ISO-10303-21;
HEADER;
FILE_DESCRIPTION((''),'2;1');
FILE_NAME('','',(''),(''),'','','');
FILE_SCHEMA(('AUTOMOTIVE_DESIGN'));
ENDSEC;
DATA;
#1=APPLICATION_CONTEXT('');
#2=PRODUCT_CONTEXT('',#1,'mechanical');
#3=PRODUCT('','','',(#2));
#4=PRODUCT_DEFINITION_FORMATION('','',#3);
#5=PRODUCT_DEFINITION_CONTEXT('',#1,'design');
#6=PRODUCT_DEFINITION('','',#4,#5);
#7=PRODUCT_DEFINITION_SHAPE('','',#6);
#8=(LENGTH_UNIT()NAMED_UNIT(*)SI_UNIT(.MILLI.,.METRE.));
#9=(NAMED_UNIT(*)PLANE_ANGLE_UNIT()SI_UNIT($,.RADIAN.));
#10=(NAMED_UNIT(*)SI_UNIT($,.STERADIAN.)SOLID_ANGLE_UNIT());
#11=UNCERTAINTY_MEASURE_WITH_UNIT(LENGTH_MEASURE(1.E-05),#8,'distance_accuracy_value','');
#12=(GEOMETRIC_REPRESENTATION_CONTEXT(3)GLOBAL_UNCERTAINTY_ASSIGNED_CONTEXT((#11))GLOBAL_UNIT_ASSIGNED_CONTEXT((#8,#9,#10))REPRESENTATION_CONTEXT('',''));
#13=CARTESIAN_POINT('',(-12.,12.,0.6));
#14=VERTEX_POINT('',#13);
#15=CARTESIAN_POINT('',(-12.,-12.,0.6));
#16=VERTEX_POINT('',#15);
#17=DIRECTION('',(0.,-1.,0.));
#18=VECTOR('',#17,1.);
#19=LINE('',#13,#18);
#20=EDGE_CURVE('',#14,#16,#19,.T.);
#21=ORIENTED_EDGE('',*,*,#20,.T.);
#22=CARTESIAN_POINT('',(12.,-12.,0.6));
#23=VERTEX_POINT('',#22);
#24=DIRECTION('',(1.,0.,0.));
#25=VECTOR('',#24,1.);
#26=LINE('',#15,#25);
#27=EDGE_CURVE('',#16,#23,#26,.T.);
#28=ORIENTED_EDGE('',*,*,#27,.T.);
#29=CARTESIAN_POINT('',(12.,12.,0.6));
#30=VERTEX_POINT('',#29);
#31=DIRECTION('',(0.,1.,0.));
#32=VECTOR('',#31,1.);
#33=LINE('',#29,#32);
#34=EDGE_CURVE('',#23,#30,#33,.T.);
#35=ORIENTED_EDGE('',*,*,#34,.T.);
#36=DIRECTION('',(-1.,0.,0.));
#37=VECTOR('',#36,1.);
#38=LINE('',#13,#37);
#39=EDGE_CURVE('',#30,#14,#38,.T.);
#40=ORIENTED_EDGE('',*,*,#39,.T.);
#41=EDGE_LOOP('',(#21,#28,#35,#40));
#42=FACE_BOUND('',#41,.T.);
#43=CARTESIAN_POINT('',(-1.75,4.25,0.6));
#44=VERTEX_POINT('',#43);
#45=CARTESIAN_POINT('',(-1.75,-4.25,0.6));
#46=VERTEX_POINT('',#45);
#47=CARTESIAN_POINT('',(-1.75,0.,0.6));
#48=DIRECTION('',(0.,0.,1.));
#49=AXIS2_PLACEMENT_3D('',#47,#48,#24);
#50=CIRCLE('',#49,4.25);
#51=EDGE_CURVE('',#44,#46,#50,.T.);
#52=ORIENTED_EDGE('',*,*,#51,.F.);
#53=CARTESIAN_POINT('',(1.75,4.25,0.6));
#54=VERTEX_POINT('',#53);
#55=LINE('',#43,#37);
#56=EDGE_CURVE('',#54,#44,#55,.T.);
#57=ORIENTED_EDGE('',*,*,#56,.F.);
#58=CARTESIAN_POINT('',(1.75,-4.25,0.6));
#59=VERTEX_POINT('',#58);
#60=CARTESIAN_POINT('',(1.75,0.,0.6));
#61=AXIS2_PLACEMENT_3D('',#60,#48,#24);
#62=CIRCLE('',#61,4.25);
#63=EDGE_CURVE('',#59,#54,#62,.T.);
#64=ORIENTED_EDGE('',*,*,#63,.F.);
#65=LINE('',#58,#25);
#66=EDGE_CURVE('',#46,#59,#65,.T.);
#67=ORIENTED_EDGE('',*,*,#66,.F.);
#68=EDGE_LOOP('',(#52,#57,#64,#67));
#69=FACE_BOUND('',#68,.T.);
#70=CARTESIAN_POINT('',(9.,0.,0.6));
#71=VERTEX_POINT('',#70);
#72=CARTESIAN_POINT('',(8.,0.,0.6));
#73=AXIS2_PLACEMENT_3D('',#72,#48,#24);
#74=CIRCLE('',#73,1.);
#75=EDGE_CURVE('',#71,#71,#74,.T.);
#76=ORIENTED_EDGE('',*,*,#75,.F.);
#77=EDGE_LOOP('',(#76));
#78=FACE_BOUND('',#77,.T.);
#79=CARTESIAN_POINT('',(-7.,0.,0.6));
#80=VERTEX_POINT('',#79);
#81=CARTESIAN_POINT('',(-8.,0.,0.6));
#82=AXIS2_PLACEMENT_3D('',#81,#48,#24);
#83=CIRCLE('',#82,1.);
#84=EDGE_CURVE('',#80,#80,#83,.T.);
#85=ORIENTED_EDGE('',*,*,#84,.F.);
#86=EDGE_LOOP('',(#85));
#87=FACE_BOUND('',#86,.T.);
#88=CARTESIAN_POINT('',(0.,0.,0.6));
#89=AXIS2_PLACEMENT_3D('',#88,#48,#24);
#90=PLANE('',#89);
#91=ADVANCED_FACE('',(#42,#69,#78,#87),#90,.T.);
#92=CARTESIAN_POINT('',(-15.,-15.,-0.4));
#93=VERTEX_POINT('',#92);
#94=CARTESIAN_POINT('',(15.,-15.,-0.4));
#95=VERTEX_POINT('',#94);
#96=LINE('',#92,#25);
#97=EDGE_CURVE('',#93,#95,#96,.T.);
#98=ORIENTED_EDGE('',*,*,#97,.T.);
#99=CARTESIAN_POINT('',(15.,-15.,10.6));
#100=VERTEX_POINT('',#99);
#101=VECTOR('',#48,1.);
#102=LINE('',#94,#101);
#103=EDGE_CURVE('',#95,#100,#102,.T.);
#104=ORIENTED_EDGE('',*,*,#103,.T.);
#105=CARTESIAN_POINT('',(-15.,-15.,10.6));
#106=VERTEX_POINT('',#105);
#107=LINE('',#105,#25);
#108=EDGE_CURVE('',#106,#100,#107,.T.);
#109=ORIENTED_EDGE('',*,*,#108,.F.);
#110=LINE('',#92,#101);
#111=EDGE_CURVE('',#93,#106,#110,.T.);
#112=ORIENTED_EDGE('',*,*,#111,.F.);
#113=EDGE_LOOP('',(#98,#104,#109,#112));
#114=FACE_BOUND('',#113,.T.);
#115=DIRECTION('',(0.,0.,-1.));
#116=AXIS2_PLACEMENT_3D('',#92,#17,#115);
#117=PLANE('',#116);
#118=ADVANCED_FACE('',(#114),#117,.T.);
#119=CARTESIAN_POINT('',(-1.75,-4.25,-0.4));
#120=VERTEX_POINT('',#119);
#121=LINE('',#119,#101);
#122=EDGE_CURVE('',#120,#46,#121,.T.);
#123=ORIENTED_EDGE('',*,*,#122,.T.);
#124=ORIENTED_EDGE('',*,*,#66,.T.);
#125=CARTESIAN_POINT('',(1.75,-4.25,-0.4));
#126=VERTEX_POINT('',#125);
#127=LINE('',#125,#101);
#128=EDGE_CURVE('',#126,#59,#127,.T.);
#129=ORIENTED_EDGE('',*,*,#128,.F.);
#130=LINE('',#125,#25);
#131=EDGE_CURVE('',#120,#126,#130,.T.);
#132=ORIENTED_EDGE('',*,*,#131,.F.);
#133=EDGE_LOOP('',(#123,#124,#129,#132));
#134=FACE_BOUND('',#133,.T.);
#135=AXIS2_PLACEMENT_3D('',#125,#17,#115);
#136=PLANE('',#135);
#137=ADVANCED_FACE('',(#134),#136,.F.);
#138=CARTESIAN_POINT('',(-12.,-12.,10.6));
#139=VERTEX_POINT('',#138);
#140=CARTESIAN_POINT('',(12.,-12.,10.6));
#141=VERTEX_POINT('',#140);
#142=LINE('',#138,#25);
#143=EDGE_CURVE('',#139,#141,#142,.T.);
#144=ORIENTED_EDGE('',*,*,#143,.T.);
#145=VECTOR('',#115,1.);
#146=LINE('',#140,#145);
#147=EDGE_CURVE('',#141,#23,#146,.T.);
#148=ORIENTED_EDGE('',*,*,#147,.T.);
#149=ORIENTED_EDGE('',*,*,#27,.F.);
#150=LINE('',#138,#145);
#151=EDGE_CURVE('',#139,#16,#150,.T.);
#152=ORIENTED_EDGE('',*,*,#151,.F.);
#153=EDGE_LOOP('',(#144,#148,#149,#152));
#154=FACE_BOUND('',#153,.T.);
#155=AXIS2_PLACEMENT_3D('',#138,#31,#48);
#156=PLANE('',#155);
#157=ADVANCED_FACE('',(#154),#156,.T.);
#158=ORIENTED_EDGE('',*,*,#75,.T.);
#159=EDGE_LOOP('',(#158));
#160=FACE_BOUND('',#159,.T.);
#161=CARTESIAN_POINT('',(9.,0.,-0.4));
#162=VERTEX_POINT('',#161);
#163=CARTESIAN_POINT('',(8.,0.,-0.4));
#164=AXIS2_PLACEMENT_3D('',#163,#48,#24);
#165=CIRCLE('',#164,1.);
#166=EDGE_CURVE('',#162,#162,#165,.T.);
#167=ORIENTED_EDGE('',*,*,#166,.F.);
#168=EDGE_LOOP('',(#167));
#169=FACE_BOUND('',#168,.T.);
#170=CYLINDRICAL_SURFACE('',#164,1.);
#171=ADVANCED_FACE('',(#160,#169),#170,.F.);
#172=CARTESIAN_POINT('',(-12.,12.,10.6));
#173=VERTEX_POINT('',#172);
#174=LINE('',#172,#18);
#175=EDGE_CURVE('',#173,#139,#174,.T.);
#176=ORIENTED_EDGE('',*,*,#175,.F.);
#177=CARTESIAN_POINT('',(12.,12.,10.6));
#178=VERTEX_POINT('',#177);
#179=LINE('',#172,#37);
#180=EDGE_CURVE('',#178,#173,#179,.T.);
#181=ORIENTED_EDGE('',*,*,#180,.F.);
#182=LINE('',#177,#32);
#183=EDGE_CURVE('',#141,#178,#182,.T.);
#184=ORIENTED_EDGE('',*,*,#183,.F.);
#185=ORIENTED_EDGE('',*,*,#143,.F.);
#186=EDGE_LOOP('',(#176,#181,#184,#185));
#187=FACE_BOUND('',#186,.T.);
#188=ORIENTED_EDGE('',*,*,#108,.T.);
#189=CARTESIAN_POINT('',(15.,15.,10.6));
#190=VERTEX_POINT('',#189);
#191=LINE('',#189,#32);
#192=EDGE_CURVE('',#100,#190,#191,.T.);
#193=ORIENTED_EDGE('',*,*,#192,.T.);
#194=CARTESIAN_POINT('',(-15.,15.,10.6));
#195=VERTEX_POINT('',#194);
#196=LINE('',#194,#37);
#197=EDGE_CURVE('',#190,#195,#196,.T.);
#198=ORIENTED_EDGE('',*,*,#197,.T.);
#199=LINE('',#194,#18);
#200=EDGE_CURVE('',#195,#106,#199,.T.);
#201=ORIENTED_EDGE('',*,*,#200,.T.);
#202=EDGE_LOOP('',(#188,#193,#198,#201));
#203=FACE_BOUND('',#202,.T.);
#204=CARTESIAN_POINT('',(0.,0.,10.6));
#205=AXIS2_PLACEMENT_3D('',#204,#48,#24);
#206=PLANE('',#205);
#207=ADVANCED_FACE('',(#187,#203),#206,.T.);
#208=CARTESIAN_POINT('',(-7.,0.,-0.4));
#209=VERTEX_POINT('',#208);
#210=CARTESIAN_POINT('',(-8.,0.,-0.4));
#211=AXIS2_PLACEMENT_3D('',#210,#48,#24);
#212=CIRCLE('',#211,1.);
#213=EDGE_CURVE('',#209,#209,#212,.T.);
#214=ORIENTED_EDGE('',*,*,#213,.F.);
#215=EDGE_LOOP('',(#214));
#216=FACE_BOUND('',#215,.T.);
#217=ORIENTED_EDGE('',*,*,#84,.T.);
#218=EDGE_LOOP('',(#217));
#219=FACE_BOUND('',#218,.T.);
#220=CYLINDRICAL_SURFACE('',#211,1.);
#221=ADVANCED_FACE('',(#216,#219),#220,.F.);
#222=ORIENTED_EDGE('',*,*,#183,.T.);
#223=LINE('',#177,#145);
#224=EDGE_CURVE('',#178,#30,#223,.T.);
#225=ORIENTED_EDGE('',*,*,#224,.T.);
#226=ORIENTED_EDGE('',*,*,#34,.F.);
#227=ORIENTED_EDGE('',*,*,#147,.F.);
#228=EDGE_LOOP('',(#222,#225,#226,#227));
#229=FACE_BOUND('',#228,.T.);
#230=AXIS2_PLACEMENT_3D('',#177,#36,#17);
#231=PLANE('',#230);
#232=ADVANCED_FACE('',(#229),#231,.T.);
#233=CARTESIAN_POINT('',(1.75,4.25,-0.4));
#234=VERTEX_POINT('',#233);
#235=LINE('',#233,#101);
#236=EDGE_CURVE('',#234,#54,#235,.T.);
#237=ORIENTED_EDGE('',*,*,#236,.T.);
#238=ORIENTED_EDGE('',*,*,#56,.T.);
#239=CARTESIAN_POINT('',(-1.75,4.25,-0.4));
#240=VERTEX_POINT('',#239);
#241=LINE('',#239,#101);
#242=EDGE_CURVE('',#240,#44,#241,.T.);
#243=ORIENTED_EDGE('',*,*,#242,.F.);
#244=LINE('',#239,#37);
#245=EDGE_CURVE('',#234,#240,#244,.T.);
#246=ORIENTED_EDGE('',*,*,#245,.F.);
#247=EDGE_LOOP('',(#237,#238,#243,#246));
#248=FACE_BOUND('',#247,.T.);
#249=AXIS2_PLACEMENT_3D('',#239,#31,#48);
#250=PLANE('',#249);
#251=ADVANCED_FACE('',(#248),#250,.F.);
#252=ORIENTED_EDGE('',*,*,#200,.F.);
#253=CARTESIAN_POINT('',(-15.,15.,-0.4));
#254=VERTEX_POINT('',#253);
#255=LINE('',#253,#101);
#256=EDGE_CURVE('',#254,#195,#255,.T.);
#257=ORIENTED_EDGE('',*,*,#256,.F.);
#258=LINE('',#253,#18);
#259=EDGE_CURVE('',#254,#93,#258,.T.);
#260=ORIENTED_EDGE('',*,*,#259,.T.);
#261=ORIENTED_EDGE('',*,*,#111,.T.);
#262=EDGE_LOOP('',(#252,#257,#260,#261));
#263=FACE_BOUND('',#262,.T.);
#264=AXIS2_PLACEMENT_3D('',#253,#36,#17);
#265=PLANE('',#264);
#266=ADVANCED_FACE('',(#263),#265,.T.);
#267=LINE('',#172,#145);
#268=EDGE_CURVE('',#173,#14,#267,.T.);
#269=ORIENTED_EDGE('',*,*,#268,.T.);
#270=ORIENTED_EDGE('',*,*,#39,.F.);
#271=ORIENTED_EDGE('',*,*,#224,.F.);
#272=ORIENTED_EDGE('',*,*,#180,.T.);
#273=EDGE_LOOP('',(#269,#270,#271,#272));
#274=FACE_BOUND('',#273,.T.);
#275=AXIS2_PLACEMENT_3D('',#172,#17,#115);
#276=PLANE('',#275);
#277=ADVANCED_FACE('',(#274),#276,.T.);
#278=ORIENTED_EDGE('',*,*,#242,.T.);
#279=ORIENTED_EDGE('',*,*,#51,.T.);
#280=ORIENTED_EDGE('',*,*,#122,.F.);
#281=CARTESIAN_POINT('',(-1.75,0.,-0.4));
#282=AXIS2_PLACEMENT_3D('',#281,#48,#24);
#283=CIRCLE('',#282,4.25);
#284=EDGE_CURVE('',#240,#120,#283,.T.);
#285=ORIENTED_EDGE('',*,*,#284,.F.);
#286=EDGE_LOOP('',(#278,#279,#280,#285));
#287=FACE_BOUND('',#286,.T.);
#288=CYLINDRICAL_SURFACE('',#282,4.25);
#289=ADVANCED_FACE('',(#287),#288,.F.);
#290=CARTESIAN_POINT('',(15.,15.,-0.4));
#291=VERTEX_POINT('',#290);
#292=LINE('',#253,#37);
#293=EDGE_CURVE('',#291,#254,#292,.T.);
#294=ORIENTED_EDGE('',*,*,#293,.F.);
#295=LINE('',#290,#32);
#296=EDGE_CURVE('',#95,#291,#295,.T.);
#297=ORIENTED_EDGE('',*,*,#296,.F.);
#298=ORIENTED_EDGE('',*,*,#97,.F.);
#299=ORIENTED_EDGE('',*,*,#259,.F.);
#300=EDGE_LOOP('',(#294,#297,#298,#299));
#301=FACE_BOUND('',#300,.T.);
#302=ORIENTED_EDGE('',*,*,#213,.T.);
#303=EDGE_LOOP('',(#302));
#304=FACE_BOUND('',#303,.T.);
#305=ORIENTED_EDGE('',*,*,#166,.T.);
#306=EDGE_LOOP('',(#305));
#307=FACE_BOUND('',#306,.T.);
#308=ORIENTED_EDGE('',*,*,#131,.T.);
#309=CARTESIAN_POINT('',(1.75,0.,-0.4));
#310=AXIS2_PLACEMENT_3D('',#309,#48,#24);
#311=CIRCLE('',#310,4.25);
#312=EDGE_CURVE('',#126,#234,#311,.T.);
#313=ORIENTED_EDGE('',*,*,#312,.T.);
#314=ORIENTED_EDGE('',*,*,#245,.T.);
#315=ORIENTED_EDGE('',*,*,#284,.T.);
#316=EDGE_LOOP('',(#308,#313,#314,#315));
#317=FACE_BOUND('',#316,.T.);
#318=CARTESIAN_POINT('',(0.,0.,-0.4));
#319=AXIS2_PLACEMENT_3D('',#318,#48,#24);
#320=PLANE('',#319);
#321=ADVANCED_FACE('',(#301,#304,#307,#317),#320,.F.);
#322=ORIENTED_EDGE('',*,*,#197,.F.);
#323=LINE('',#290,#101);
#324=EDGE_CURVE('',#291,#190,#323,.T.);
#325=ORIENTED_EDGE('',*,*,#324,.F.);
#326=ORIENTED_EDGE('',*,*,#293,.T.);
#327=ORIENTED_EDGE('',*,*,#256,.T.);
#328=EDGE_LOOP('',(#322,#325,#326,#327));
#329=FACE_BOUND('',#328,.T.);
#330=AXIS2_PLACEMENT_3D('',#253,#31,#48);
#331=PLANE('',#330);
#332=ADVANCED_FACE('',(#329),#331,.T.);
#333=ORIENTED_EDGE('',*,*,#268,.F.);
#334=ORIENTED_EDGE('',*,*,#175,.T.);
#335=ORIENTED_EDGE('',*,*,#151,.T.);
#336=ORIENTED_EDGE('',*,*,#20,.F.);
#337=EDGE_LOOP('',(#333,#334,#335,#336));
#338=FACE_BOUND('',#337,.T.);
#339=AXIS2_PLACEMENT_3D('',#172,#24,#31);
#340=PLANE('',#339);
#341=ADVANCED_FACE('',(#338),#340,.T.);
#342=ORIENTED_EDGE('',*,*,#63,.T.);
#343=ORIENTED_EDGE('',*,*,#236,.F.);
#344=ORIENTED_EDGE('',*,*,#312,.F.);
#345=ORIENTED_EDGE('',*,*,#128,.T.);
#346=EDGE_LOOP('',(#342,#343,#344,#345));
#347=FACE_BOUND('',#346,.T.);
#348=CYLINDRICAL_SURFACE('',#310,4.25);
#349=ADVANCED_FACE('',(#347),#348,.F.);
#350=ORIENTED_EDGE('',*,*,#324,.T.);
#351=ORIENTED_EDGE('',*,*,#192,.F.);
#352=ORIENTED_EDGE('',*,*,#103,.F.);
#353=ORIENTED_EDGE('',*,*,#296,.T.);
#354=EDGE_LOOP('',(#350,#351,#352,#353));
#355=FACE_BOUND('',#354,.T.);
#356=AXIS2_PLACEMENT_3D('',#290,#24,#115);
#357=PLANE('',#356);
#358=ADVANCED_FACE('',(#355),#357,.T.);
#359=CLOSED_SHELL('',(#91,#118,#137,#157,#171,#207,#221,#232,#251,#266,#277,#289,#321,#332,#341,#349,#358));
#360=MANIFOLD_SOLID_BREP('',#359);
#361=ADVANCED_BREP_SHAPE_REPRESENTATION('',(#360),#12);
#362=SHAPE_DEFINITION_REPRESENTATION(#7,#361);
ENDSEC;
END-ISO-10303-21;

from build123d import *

# Parameters (mm, degrees)
CROQUIS1_W              = 30
CROQUIS1_H              = 30
CROQUIS1_R              = 1
SALIENTE_EXTRUIR2_DEPTH = 1
CROQUIS2_W              = 30
CROQUIS2_H              = 30
CROQUIS2_W_2            = 24
CROQUIS2_H_2            = 24
SALIENTE_EXTRUIR3_DEPTH = 10


with BuildPart() as part:
    # Croquis1 → Saliente-Extruir2 (new body)
    with BuildSketch(Plane.XY.offset(0.6)):
        Rectangle(CROQUIS1_W, CROQUIS1_H)
        with Locations((-8, 0)):
            Circle(CROQUIS1_R, mode=Mode.SUBTRACT)
        with Locations((8, 0)):
            Circle(CROQUIS1_R, mode=Mode.SUBTRACT)
        with BuildLine():
            Line((-1.75, 4.25), (1.75, 4.25))
            ThreePointArc((1.75, 4.25), (6, 0), (1.75, -4.25))
            Line((1.75, -4.25), (-1.75, -4.25))
            ThreePointArc((-1.75, -4.25), (-6, 0), (-1.75, 4.25))
        make_face(mode=Mode.SUBTRACT)
    extrude(amount=-SALIENTE_EXTRUIR2_DEPTH)

    # Croquis2 → Saliente-Extruir3 (add)
    with BuildSketch(Plane.XY.offset(0.6)):
        Rectangle(CROQUIS2_W, CROQUIS2_H)
        Rectangle(CROQUIS2_W_2, CROQUIS2_H_2, mode=Mode.SUBTRACT)
    extrude(amount=SALIENTE_EXTRUIR3_DEPTH)


solid = part.part
